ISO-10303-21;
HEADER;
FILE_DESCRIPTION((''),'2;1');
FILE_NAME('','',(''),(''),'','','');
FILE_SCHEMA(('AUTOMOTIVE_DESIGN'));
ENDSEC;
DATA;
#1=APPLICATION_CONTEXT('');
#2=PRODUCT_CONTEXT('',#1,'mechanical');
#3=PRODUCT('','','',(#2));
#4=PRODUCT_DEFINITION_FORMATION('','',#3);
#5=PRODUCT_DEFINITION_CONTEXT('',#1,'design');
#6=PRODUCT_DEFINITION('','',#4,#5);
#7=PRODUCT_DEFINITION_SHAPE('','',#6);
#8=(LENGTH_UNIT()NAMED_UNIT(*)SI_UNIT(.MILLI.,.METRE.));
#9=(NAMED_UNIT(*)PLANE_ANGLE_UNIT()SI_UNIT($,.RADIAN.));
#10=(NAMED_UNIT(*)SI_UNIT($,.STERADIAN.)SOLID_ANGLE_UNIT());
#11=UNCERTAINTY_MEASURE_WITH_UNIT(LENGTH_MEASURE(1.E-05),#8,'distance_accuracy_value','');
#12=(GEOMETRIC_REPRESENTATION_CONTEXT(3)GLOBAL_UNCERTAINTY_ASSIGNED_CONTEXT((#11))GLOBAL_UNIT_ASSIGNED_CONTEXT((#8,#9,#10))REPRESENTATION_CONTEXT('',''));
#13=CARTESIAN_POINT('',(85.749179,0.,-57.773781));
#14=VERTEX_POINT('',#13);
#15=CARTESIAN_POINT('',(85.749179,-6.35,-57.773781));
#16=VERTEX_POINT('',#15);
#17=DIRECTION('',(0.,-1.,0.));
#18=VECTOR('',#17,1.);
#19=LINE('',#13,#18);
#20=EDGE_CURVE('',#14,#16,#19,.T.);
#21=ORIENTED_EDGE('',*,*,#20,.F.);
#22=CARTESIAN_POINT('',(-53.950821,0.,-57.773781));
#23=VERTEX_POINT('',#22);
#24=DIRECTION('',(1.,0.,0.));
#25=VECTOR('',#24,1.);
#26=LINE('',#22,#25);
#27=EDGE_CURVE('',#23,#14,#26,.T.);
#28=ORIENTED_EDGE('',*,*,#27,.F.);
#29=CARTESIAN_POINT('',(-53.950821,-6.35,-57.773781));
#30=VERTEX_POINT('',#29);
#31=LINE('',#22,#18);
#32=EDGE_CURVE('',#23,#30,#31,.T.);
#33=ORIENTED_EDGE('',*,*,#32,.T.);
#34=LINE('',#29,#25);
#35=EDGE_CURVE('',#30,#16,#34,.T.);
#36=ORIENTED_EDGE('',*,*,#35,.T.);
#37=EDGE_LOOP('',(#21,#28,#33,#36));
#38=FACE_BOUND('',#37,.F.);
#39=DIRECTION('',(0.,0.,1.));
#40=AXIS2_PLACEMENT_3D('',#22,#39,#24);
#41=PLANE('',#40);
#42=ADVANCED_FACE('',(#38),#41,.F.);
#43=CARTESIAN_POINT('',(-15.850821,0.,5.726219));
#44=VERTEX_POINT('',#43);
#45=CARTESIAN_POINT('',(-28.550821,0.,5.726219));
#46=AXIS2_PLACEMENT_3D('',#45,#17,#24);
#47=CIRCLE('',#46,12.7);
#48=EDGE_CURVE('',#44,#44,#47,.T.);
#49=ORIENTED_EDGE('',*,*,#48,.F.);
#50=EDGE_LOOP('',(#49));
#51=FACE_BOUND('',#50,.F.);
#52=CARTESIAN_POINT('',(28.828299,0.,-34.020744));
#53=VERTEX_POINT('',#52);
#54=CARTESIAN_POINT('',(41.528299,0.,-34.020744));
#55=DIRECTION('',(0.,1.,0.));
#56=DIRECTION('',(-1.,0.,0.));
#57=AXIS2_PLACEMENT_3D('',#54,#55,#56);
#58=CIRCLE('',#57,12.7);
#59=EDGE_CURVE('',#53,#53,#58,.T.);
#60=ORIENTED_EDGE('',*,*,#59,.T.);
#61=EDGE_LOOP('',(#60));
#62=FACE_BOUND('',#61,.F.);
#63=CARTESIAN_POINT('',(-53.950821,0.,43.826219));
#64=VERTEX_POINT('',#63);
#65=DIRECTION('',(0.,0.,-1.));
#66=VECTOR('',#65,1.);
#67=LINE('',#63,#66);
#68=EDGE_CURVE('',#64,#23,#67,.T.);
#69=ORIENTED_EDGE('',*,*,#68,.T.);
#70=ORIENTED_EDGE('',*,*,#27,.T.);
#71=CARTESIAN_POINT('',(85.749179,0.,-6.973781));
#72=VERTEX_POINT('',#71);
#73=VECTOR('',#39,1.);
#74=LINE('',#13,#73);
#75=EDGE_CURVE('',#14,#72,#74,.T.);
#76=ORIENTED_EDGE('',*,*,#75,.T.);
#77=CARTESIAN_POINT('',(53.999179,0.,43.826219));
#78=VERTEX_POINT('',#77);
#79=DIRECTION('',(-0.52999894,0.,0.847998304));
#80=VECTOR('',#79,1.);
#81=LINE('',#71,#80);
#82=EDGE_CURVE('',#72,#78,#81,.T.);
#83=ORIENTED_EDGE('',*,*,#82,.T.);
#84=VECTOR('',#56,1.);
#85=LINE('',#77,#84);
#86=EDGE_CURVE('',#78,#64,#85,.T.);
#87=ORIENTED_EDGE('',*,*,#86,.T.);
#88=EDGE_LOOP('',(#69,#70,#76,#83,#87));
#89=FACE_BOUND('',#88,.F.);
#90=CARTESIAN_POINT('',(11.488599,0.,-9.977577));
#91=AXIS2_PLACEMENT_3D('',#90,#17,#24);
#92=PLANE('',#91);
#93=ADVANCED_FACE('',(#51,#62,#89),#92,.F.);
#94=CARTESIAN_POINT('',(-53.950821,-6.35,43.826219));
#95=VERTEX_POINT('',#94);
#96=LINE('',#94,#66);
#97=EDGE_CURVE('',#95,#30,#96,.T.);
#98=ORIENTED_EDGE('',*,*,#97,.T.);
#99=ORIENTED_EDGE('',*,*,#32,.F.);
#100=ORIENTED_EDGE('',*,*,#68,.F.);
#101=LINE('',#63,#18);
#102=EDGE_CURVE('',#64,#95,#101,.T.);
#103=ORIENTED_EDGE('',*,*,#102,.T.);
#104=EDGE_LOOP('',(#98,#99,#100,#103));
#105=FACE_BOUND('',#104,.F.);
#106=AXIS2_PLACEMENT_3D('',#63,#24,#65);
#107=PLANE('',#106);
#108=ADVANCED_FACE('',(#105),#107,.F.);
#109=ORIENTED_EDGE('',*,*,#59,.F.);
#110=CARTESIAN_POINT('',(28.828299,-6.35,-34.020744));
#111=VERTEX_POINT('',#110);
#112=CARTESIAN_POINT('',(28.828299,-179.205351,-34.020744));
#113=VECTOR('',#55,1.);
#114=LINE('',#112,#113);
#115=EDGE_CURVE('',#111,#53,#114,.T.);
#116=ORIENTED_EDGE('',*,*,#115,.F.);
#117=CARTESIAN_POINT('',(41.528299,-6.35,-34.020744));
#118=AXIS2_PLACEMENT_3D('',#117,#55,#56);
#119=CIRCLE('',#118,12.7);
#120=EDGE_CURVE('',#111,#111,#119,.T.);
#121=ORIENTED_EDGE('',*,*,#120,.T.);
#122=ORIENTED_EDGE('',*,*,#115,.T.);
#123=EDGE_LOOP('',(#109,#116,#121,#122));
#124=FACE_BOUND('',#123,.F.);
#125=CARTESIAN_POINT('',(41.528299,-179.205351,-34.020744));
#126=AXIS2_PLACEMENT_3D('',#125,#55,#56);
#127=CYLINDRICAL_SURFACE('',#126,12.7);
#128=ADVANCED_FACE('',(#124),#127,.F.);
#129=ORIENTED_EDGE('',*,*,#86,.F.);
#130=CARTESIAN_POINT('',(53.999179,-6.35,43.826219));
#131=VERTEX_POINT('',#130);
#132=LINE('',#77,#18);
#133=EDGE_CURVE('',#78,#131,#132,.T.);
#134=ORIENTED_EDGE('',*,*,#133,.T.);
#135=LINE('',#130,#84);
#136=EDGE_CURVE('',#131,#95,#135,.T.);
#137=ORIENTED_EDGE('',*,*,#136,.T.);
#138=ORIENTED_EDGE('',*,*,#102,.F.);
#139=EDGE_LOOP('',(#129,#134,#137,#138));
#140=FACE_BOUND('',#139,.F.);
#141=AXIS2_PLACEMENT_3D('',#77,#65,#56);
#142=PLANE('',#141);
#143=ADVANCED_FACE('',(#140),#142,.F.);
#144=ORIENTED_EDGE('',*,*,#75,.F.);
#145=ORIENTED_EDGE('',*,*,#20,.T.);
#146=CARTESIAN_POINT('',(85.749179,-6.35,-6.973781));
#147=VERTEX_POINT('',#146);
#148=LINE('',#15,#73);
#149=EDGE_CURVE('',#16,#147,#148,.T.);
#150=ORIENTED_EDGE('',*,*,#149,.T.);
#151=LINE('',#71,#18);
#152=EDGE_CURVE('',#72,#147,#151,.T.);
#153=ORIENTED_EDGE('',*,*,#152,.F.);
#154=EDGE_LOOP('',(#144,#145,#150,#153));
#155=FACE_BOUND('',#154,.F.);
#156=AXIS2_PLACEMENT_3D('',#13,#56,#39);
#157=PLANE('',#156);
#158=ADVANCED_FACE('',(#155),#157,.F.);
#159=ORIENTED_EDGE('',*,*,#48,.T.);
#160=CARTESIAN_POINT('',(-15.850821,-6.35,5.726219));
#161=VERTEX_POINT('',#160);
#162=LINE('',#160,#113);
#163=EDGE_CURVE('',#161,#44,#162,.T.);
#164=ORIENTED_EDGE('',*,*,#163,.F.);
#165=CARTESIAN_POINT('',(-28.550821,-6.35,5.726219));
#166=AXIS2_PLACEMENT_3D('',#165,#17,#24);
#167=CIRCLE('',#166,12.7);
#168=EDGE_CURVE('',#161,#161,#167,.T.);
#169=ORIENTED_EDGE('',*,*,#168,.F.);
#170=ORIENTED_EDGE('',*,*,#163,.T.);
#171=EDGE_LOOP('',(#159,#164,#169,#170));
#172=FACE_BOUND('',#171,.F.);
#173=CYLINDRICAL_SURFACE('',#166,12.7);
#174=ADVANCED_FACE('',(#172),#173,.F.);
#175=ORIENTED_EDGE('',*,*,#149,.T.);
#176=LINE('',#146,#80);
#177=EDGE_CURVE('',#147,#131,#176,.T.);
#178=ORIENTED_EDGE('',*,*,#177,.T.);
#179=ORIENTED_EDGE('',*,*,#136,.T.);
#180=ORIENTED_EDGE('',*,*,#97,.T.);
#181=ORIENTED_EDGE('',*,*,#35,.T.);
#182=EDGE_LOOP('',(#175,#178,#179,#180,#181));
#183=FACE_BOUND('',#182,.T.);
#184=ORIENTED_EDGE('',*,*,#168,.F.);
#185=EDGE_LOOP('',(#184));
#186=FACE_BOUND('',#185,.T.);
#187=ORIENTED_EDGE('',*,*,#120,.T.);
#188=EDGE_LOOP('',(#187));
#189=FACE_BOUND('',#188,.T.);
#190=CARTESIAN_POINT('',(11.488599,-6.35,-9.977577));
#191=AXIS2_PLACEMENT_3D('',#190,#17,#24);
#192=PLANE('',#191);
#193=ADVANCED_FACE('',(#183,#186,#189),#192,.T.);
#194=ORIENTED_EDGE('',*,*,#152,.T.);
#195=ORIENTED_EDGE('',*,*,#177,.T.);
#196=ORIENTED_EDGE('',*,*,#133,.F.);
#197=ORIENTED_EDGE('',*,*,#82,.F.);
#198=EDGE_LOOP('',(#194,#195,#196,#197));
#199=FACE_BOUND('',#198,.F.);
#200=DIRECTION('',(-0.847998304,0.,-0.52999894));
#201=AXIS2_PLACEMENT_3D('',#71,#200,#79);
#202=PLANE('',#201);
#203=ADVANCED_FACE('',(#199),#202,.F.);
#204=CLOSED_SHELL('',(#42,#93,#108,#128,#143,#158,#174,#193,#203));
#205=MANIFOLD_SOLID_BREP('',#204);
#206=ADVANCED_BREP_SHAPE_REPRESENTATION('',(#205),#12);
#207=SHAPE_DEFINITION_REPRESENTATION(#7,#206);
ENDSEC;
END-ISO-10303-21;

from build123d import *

# Parameters (mm, degrees)
F1_DEPTH = 6.35
F2_R     = 12.7
F3_DEPTH = 6.351
F5_D     = 25.4


with BuildPart() as f1:
    # F0 (on Front) → F1 (new body)
    with BuildSketch(Plane.XZ):
        Polygon((53.999179, 43.826219), (-53.950821, 43.826219), (-53.950821, -57.773781), (85.749179, -57.773781), (85.749179, -6.973781), align=None)
    extrude(amount=F1_DEPTH)

    # F2 (on face) → F3 (cut, through all)
    with BuildSketch(Plane.XZ.offset(6.35)):
        with Locations((-28.550821, 5.726219)):
            Circle(F2_R)
    extrude(amount=-F3_DEPTH, mode=Mode.SUBTRACT)

    # F5 (through all)
    with Locations(Plane.XZ.offset(6.35)):
        with Locations((41.528299, -34.020744)):
            Hole(F5_D / 2)


solid = f1.part
